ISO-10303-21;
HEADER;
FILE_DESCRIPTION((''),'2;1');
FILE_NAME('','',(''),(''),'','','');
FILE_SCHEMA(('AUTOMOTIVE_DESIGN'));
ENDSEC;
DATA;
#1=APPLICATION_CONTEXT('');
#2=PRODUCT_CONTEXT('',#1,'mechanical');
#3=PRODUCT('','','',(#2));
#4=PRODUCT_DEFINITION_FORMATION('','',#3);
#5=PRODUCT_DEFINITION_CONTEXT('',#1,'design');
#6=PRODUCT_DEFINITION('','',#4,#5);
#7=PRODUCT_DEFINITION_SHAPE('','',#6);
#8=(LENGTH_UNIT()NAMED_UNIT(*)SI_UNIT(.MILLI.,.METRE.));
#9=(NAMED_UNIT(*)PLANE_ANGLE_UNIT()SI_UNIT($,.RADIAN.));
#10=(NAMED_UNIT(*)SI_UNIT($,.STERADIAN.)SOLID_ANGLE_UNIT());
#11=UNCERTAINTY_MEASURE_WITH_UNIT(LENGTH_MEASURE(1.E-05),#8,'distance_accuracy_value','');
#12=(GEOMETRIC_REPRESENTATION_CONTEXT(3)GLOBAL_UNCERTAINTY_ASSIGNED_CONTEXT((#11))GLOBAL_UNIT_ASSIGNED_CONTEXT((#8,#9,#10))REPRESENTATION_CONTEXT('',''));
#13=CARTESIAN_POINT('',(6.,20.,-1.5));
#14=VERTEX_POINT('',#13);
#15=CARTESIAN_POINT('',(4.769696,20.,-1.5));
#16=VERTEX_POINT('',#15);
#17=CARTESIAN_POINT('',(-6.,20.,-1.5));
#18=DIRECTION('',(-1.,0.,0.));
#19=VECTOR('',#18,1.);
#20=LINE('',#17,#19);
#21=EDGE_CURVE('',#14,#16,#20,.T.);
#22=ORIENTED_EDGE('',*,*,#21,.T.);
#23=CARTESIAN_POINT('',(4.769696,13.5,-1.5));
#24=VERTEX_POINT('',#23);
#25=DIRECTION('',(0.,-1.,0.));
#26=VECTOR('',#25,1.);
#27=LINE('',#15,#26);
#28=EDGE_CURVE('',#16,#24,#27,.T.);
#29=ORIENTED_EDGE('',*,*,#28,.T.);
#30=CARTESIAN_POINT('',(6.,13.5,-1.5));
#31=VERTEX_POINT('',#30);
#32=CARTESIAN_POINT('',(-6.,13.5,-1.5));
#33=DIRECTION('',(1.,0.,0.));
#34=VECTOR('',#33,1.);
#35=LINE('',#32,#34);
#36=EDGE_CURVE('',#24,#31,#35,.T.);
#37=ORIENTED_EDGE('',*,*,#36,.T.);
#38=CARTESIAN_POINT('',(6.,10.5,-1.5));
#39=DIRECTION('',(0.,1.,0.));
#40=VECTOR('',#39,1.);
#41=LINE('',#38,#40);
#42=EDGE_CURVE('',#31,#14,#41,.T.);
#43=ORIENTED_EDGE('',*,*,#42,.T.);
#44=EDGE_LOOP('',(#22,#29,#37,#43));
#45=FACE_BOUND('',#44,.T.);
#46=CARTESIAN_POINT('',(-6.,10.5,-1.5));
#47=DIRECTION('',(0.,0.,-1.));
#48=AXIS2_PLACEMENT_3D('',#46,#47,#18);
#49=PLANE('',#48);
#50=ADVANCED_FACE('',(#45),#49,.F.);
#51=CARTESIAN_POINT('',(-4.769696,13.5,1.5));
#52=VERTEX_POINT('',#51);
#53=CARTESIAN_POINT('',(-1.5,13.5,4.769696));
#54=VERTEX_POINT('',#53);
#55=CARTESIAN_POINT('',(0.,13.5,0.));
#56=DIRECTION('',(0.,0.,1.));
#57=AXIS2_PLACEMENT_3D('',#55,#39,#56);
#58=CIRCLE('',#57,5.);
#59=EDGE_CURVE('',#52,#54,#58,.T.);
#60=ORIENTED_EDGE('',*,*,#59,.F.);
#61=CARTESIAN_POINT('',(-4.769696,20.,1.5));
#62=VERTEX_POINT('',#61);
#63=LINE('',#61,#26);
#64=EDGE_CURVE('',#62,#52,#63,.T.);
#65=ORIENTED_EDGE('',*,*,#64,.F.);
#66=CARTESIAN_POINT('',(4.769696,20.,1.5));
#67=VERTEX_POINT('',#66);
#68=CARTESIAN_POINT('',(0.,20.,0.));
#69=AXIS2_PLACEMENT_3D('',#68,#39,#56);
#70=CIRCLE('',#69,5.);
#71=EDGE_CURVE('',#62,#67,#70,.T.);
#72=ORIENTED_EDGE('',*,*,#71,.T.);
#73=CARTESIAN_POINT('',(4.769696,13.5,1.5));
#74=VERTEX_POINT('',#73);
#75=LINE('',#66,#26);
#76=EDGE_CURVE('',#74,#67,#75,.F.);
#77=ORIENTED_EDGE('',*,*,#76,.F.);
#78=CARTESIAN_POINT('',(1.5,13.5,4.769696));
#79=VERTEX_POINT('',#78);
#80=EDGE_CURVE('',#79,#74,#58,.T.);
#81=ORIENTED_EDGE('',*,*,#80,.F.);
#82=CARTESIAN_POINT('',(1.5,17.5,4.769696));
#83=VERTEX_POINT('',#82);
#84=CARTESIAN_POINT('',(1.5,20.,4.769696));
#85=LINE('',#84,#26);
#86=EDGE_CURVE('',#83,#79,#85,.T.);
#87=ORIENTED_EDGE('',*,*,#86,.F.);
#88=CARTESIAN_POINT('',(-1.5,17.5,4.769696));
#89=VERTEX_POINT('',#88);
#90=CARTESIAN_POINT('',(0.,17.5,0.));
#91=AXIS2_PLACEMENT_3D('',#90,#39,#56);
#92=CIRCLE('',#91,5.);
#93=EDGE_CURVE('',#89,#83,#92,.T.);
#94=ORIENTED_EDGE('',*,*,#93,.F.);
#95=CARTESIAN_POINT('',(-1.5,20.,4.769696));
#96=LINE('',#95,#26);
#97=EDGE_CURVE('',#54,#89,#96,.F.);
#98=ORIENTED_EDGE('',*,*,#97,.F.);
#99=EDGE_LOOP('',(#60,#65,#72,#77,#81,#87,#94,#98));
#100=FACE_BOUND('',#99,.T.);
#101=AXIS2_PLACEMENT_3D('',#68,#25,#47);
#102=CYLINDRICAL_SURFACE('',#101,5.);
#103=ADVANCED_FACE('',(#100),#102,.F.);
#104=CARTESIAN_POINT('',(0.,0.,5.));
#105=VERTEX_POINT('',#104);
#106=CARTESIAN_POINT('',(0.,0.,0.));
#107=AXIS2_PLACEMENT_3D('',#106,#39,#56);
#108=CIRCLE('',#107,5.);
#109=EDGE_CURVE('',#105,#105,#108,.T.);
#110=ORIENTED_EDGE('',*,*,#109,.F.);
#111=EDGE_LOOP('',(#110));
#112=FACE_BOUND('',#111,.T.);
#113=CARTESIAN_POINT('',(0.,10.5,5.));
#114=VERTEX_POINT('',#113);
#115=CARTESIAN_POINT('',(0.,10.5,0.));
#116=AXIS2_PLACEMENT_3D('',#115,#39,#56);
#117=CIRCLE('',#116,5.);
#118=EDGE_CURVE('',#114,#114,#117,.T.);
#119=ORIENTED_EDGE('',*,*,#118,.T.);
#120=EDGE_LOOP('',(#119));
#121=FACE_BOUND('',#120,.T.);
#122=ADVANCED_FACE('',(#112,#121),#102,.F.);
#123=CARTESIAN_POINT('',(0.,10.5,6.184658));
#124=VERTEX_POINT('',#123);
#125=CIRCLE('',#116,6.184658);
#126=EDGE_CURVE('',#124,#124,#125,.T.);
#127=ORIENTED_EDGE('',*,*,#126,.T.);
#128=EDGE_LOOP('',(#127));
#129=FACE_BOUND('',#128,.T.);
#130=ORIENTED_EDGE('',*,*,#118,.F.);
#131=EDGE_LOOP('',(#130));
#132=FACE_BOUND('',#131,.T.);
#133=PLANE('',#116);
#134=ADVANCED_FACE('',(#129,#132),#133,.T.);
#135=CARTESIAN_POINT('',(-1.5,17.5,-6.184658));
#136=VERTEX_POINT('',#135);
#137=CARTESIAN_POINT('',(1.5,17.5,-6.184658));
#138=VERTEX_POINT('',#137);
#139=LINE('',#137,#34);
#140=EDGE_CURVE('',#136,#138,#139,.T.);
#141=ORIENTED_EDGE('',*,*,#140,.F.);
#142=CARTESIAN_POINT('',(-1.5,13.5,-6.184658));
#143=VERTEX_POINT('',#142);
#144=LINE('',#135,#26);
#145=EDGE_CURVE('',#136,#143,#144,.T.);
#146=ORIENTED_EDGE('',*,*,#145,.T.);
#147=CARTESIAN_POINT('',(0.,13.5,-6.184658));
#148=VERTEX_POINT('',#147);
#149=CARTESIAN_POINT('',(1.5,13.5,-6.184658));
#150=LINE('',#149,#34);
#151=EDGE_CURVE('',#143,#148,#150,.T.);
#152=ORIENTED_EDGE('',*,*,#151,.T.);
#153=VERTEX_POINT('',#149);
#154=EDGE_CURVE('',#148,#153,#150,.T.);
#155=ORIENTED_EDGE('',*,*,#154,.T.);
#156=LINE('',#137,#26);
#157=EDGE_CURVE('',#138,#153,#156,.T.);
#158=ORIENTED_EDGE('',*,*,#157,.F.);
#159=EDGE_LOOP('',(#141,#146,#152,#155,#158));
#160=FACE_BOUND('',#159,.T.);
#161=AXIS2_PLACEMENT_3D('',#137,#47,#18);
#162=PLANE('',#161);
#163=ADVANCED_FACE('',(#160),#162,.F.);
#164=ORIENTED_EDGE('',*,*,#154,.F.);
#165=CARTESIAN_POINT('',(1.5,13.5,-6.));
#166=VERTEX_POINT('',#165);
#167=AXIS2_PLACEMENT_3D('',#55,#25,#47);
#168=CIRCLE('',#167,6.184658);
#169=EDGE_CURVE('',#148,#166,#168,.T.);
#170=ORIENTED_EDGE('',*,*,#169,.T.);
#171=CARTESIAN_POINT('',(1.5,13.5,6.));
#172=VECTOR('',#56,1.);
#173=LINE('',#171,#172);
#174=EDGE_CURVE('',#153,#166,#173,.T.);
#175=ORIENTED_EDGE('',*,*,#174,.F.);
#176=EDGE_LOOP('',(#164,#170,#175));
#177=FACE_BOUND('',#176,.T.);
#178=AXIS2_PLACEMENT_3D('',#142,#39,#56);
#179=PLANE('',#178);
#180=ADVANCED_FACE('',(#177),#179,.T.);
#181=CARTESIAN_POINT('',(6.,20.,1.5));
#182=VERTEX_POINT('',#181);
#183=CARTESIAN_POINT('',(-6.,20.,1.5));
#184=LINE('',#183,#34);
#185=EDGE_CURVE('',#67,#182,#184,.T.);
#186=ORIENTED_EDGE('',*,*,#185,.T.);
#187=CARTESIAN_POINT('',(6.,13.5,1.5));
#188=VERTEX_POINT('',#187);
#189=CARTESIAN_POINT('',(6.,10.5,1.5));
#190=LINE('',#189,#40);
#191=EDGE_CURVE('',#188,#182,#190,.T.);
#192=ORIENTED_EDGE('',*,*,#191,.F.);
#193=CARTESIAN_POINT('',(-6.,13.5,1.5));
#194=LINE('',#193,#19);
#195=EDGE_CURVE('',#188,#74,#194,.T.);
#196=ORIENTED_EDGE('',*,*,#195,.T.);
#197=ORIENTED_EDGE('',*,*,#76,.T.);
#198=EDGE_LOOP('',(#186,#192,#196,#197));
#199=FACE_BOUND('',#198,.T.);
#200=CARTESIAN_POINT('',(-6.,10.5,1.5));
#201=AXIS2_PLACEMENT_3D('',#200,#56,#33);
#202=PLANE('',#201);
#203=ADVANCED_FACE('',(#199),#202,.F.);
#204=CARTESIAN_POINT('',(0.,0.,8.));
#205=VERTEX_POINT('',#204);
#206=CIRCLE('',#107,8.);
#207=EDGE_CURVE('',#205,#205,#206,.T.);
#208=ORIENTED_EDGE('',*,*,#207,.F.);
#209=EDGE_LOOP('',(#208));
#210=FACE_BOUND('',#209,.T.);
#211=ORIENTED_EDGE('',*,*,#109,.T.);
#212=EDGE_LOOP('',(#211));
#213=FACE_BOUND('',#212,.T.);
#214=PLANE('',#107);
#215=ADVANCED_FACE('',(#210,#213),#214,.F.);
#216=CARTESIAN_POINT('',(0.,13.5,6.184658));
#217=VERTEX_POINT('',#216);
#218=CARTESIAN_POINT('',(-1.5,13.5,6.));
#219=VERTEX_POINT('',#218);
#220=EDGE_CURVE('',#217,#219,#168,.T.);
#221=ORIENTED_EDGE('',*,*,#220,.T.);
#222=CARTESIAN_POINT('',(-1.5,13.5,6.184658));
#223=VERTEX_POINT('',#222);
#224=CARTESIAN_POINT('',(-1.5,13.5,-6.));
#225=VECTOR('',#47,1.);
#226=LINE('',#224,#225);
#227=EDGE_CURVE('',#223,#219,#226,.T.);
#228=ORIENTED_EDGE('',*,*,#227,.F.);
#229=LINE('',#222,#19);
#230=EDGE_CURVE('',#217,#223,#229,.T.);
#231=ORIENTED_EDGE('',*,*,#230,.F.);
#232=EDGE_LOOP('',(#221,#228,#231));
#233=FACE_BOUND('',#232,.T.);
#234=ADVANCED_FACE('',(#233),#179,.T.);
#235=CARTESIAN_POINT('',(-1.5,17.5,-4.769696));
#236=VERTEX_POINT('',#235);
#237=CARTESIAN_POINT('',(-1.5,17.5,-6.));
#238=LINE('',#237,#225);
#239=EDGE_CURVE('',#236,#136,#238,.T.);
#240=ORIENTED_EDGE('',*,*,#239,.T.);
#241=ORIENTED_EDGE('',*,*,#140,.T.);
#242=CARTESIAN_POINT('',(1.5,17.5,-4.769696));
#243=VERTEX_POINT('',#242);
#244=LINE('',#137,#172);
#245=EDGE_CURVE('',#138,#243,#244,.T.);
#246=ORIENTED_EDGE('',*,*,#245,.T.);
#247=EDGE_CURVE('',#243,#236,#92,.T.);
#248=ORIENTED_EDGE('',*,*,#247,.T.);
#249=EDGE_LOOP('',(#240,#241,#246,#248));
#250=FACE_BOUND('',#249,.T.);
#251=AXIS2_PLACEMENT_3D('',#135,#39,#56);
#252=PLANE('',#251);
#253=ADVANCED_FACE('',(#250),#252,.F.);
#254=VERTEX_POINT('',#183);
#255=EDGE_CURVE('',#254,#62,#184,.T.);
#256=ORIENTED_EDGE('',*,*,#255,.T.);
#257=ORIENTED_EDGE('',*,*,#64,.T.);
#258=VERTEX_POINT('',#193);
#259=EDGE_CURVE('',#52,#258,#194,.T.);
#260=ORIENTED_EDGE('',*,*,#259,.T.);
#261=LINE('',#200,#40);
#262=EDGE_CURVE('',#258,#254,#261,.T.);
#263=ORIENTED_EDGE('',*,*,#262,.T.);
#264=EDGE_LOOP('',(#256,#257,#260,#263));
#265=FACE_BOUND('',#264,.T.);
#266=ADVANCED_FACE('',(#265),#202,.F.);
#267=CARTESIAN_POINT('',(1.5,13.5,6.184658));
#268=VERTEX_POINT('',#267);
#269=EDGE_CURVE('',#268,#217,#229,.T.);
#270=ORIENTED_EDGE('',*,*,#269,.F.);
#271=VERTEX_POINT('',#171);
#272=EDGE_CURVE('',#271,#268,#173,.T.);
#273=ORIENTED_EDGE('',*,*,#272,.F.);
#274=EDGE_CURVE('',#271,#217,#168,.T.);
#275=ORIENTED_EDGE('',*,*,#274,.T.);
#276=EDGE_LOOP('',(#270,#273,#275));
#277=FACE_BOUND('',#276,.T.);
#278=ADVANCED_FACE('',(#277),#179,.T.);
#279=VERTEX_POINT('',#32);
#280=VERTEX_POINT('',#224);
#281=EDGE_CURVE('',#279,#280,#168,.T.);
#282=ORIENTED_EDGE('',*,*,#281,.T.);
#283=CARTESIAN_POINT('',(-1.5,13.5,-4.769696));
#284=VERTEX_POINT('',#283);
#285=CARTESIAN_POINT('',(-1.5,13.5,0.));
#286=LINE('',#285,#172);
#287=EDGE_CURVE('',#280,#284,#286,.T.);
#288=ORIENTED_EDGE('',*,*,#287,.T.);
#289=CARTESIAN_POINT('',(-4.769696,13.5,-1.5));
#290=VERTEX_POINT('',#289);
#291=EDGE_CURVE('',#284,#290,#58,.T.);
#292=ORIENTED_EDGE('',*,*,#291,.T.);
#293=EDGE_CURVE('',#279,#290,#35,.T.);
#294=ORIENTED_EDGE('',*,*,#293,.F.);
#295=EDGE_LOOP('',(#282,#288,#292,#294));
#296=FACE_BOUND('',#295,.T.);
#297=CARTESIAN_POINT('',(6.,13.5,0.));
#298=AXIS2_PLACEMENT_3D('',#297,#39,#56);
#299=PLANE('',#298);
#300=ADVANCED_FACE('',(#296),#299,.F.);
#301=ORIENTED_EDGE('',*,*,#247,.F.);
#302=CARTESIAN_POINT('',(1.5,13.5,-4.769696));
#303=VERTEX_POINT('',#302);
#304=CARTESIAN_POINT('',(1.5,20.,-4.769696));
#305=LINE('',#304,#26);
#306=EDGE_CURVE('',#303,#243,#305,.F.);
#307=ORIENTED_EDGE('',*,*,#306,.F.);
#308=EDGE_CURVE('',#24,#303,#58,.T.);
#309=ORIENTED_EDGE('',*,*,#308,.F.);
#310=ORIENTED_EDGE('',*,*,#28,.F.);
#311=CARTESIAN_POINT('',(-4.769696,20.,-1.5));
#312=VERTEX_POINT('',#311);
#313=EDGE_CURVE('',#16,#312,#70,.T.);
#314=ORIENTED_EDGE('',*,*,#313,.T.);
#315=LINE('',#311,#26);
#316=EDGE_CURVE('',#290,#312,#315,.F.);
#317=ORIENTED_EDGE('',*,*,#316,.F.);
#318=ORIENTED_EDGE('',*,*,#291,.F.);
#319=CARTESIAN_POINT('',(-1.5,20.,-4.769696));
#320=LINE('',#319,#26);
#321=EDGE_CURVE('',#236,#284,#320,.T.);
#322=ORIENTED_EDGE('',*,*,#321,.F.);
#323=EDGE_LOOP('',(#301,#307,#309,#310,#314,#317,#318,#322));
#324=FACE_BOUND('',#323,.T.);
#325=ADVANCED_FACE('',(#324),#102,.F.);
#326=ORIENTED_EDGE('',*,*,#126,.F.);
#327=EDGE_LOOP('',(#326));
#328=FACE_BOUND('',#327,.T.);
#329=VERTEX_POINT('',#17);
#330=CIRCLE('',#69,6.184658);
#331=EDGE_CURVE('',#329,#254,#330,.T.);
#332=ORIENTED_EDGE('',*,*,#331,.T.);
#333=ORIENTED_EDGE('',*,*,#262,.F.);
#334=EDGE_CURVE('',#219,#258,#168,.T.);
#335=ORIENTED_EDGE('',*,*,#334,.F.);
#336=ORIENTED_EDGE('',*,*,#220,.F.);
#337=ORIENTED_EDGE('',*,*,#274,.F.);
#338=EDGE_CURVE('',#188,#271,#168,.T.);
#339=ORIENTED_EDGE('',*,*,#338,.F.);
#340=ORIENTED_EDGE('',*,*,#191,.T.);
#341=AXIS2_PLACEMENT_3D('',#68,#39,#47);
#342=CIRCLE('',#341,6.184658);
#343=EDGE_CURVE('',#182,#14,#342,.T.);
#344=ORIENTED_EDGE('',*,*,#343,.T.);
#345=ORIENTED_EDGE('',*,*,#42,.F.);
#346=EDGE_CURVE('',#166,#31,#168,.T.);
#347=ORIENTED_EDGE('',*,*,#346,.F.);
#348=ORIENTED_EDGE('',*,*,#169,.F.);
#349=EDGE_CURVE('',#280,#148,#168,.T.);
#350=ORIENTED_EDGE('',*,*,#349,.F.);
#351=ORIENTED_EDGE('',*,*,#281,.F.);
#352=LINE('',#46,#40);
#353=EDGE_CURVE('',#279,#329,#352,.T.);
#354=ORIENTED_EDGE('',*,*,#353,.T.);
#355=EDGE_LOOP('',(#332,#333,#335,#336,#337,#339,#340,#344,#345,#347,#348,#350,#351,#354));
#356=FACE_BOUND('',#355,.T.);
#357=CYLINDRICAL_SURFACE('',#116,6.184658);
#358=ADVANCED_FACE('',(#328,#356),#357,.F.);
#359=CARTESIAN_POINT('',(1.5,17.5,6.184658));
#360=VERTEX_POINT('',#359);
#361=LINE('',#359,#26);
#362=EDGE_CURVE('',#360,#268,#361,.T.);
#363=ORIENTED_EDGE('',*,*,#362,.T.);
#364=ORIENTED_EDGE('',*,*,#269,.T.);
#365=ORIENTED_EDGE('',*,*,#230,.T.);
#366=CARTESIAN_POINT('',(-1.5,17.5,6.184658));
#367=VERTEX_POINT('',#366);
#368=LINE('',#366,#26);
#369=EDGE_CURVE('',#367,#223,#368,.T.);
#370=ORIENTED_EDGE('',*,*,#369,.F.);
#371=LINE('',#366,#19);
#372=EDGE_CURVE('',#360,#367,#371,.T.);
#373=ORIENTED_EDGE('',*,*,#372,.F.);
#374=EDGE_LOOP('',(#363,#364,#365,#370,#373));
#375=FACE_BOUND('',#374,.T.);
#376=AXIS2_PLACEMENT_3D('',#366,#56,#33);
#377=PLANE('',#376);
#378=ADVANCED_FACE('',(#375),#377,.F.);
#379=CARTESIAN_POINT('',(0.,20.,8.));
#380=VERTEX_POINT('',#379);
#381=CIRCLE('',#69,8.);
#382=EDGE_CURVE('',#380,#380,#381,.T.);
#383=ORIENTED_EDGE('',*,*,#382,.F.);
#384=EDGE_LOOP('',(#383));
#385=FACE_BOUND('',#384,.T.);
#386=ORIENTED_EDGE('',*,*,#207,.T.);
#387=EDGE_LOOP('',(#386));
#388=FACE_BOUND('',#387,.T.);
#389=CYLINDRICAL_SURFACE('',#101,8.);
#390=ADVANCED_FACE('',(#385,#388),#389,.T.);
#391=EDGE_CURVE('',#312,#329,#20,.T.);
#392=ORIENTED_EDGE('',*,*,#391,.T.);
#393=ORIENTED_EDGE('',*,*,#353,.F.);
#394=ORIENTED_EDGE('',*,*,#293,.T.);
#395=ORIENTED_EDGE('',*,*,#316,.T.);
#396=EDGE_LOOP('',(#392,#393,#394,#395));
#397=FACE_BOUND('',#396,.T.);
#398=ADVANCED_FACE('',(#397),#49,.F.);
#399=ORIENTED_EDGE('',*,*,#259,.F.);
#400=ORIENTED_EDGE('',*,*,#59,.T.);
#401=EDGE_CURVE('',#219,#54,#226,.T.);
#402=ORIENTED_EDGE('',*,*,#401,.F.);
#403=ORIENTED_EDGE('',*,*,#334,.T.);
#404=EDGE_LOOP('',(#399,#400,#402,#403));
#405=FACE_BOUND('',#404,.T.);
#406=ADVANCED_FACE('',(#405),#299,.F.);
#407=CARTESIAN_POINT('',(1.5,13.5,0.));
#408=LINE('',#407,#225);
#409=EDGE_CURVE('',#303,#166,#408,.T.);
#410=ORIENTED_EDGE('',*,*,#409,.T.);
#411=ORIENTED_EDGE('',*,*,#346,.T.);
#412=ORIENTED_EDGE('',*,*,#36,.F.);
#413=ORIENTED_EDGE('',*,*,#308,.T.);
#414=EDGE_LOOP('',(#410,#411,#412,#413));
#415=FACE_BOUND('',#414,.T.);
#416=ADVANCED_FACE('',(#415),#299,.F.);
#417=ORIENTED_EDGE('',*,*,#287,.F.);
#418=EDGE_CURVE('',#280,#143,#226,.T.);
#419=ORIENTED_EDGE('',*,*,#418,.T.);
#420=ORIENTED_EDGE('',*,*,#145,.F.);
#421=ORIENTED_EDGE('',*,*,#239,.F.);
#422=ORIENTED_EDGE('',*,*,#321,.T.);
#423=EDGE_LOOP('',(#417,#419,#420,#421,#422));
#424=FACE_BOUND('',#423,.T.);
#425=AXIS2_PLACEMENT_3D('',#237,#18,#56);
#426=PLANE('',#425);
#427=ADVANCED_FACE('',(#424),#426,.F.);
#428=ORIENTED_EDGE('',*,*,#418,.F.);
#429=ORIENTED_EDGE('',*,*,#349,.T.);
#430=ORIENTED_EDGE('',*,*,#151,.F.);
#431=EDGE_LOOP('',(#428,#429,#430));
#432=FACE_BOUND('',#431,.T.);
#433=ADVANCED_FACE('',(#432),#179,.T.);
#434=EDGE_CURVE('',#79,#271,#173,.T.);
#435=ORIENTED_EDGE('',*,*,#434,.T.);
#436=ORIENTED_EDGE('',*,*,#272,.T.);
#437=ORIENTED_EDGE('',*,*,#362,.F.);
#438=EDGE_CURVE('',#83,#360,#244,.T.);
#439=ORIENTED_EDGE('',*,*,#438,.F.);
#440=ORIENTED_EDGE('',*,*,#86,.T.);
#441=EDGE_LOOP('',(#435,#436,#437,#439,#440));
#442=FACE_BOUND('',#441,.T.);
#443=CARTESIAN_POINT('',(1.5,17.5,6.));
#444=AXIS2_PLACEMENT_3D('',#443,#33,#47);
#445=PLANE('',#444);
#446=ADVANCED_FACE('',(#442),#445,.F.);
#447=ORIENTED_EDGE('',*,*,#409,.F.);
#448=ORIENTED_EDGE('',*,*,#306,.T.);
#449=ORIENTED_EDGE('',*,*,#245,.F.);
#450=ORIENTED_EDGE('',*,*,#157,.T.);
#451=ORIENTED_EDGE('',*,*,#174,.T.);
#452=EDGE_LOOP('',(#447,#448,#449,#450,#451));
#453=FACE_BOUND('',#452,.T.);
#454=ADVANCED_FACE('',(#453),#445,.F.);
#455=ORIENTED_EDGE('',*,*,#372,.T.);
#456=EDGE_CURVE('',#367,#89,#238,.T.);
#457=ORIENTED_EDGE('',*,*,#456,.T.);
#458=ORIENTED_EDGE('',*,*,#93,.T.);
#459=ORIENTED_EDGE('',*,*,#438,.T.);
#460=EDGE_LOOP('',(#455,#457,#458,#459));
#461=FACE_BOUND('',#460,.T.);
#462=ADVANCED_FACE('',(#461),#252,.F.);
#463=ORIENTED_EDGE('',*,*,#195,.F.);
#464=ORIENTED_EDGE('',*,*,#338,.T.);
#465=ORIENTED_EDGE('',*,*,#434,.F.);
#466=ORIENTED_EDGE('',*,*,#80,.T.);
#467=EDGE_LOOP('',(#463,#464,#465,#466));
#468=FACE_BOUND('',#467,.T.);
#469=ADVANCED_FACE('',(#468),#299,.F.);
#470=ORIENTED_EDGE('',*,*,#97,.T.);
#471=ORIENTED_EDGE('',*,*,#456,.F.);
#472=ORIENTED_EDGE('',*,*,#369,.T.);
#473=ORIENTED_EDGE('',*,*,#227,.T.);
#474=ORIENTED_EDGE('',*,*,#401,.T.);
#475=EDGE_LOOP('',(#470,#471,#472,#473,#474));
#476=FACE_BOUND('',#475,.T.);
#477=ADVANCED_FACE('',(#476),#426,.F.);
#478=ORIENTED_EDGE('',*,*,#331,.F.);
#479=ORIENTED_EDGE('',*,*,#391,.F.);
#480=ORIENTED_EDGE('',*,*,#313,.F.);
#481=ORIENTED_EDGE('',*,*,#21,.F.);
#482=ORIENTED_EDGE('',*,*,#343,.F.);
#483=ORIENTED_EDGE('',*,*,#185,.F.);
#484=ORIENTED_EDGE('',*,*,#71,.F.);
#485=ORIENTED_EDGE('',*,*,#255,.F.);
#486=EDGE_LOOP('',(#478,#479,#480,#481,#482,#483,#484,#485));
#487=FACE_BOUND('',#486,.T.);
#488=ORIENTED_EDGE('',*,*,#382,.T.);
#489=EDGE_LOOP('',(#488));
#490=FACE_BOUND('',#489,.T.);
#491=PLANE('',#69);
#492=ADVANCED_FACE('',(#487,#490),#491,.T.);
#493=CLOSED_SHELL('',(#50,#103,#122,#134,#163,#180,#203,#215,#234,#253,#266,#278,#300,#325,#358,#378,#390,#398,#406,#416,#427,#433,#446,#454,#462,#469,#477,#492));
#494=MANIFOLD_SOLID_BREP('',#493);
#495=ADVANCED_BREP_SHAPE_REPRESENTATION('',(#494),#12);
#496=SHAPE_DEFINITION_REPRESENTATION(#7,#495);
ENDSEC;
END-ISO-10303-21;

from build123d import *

# Parameters (mm, degrees)
SKETCH_1_R          = 8
SKETCH_1_R_2        = 5
EXTRUDE_1_DEPTH     = 20
CUT_EXTRUDE_2_DEPTH = 9.5
CUT_EXTRUDE_3_DEPTH = 4


with BuildPart() as part:
    # Эскиз1 → Вытянуть1 (new body)
    with BuildSketch(Plane(origin=(0, 0, 0), x_dir=(1, 0, 0), z_dir=(0, 1, 0))):
        with Locations(Location((0, 0, 0), (0, 0, 270))):
            Circle(SKETCH_1_R)
        with Locations(Location((0, 0, 0), (0, 0, 270))):
            Circle(SKETCH_1_R_2, mode=Mode.SUBTRACT)
    extrude(amount=EXTRUDE_1_DEPTH)

    # Эскиз2 → Вытянуть2 (cut)
    with BuildSketch(Plane(origin=(0, 20, 0), x_dir=(1, 0, 0), z_dir=(0, 1, 0))):
        with BuildLine():
            Line((-6, 1.5), (6, 1.5))
            ThreePointArc((6, 1.5), (6.184658438, 0), (6, -1.5))
            Line((6, -1.5), (-6, -1.5))
            ThreePointArc((-6, -1.5), (-6.184658438, 0), (-6, 1.5))
        make_face()
    extrude(amount=-CUT_EXTRUDE_2_DEPTH, mode=Mode.SUBTRACT)

    # Эскиз4 → Вырез-Повернуть2 (revolve, cut)
    with BuildSketch(Plane.XY, mode=Mode.PRIVATE) as cut_revolve_2_sk:
        Polygon((0, 10.5), (6, 10.5), (6.184658438, 10.5), (6.184658438, 13.5), (6, 13.5), (0, 13.5), align=None)
    revolve(cut_revolve_2_sk.sketch.rotate(Axis((0, 0, 0), (0, 1, 0)), 270), axis=Axis((0, 0, 0), (0, 1, 0)), mode=Mode.SUBTRACT)

    # Эскиз5 → Вытянуть3 (cut)
    with BuildSketch(Plane.XZ.offset(-13.5)):
        Polygon((-1.5, 6.184658438), (1.5, 6.184658438), (1.5, 6), (1.5, -6), (1.5, -6.184658438), (-1.5, -6.184658438), (-1.5, -6), (-1.5, 6), align=None)
    extrude(amount=-CUT_EXTRUDE_3_DEPTH, mode=Mode.SUBTRACT)


solid = part.part
